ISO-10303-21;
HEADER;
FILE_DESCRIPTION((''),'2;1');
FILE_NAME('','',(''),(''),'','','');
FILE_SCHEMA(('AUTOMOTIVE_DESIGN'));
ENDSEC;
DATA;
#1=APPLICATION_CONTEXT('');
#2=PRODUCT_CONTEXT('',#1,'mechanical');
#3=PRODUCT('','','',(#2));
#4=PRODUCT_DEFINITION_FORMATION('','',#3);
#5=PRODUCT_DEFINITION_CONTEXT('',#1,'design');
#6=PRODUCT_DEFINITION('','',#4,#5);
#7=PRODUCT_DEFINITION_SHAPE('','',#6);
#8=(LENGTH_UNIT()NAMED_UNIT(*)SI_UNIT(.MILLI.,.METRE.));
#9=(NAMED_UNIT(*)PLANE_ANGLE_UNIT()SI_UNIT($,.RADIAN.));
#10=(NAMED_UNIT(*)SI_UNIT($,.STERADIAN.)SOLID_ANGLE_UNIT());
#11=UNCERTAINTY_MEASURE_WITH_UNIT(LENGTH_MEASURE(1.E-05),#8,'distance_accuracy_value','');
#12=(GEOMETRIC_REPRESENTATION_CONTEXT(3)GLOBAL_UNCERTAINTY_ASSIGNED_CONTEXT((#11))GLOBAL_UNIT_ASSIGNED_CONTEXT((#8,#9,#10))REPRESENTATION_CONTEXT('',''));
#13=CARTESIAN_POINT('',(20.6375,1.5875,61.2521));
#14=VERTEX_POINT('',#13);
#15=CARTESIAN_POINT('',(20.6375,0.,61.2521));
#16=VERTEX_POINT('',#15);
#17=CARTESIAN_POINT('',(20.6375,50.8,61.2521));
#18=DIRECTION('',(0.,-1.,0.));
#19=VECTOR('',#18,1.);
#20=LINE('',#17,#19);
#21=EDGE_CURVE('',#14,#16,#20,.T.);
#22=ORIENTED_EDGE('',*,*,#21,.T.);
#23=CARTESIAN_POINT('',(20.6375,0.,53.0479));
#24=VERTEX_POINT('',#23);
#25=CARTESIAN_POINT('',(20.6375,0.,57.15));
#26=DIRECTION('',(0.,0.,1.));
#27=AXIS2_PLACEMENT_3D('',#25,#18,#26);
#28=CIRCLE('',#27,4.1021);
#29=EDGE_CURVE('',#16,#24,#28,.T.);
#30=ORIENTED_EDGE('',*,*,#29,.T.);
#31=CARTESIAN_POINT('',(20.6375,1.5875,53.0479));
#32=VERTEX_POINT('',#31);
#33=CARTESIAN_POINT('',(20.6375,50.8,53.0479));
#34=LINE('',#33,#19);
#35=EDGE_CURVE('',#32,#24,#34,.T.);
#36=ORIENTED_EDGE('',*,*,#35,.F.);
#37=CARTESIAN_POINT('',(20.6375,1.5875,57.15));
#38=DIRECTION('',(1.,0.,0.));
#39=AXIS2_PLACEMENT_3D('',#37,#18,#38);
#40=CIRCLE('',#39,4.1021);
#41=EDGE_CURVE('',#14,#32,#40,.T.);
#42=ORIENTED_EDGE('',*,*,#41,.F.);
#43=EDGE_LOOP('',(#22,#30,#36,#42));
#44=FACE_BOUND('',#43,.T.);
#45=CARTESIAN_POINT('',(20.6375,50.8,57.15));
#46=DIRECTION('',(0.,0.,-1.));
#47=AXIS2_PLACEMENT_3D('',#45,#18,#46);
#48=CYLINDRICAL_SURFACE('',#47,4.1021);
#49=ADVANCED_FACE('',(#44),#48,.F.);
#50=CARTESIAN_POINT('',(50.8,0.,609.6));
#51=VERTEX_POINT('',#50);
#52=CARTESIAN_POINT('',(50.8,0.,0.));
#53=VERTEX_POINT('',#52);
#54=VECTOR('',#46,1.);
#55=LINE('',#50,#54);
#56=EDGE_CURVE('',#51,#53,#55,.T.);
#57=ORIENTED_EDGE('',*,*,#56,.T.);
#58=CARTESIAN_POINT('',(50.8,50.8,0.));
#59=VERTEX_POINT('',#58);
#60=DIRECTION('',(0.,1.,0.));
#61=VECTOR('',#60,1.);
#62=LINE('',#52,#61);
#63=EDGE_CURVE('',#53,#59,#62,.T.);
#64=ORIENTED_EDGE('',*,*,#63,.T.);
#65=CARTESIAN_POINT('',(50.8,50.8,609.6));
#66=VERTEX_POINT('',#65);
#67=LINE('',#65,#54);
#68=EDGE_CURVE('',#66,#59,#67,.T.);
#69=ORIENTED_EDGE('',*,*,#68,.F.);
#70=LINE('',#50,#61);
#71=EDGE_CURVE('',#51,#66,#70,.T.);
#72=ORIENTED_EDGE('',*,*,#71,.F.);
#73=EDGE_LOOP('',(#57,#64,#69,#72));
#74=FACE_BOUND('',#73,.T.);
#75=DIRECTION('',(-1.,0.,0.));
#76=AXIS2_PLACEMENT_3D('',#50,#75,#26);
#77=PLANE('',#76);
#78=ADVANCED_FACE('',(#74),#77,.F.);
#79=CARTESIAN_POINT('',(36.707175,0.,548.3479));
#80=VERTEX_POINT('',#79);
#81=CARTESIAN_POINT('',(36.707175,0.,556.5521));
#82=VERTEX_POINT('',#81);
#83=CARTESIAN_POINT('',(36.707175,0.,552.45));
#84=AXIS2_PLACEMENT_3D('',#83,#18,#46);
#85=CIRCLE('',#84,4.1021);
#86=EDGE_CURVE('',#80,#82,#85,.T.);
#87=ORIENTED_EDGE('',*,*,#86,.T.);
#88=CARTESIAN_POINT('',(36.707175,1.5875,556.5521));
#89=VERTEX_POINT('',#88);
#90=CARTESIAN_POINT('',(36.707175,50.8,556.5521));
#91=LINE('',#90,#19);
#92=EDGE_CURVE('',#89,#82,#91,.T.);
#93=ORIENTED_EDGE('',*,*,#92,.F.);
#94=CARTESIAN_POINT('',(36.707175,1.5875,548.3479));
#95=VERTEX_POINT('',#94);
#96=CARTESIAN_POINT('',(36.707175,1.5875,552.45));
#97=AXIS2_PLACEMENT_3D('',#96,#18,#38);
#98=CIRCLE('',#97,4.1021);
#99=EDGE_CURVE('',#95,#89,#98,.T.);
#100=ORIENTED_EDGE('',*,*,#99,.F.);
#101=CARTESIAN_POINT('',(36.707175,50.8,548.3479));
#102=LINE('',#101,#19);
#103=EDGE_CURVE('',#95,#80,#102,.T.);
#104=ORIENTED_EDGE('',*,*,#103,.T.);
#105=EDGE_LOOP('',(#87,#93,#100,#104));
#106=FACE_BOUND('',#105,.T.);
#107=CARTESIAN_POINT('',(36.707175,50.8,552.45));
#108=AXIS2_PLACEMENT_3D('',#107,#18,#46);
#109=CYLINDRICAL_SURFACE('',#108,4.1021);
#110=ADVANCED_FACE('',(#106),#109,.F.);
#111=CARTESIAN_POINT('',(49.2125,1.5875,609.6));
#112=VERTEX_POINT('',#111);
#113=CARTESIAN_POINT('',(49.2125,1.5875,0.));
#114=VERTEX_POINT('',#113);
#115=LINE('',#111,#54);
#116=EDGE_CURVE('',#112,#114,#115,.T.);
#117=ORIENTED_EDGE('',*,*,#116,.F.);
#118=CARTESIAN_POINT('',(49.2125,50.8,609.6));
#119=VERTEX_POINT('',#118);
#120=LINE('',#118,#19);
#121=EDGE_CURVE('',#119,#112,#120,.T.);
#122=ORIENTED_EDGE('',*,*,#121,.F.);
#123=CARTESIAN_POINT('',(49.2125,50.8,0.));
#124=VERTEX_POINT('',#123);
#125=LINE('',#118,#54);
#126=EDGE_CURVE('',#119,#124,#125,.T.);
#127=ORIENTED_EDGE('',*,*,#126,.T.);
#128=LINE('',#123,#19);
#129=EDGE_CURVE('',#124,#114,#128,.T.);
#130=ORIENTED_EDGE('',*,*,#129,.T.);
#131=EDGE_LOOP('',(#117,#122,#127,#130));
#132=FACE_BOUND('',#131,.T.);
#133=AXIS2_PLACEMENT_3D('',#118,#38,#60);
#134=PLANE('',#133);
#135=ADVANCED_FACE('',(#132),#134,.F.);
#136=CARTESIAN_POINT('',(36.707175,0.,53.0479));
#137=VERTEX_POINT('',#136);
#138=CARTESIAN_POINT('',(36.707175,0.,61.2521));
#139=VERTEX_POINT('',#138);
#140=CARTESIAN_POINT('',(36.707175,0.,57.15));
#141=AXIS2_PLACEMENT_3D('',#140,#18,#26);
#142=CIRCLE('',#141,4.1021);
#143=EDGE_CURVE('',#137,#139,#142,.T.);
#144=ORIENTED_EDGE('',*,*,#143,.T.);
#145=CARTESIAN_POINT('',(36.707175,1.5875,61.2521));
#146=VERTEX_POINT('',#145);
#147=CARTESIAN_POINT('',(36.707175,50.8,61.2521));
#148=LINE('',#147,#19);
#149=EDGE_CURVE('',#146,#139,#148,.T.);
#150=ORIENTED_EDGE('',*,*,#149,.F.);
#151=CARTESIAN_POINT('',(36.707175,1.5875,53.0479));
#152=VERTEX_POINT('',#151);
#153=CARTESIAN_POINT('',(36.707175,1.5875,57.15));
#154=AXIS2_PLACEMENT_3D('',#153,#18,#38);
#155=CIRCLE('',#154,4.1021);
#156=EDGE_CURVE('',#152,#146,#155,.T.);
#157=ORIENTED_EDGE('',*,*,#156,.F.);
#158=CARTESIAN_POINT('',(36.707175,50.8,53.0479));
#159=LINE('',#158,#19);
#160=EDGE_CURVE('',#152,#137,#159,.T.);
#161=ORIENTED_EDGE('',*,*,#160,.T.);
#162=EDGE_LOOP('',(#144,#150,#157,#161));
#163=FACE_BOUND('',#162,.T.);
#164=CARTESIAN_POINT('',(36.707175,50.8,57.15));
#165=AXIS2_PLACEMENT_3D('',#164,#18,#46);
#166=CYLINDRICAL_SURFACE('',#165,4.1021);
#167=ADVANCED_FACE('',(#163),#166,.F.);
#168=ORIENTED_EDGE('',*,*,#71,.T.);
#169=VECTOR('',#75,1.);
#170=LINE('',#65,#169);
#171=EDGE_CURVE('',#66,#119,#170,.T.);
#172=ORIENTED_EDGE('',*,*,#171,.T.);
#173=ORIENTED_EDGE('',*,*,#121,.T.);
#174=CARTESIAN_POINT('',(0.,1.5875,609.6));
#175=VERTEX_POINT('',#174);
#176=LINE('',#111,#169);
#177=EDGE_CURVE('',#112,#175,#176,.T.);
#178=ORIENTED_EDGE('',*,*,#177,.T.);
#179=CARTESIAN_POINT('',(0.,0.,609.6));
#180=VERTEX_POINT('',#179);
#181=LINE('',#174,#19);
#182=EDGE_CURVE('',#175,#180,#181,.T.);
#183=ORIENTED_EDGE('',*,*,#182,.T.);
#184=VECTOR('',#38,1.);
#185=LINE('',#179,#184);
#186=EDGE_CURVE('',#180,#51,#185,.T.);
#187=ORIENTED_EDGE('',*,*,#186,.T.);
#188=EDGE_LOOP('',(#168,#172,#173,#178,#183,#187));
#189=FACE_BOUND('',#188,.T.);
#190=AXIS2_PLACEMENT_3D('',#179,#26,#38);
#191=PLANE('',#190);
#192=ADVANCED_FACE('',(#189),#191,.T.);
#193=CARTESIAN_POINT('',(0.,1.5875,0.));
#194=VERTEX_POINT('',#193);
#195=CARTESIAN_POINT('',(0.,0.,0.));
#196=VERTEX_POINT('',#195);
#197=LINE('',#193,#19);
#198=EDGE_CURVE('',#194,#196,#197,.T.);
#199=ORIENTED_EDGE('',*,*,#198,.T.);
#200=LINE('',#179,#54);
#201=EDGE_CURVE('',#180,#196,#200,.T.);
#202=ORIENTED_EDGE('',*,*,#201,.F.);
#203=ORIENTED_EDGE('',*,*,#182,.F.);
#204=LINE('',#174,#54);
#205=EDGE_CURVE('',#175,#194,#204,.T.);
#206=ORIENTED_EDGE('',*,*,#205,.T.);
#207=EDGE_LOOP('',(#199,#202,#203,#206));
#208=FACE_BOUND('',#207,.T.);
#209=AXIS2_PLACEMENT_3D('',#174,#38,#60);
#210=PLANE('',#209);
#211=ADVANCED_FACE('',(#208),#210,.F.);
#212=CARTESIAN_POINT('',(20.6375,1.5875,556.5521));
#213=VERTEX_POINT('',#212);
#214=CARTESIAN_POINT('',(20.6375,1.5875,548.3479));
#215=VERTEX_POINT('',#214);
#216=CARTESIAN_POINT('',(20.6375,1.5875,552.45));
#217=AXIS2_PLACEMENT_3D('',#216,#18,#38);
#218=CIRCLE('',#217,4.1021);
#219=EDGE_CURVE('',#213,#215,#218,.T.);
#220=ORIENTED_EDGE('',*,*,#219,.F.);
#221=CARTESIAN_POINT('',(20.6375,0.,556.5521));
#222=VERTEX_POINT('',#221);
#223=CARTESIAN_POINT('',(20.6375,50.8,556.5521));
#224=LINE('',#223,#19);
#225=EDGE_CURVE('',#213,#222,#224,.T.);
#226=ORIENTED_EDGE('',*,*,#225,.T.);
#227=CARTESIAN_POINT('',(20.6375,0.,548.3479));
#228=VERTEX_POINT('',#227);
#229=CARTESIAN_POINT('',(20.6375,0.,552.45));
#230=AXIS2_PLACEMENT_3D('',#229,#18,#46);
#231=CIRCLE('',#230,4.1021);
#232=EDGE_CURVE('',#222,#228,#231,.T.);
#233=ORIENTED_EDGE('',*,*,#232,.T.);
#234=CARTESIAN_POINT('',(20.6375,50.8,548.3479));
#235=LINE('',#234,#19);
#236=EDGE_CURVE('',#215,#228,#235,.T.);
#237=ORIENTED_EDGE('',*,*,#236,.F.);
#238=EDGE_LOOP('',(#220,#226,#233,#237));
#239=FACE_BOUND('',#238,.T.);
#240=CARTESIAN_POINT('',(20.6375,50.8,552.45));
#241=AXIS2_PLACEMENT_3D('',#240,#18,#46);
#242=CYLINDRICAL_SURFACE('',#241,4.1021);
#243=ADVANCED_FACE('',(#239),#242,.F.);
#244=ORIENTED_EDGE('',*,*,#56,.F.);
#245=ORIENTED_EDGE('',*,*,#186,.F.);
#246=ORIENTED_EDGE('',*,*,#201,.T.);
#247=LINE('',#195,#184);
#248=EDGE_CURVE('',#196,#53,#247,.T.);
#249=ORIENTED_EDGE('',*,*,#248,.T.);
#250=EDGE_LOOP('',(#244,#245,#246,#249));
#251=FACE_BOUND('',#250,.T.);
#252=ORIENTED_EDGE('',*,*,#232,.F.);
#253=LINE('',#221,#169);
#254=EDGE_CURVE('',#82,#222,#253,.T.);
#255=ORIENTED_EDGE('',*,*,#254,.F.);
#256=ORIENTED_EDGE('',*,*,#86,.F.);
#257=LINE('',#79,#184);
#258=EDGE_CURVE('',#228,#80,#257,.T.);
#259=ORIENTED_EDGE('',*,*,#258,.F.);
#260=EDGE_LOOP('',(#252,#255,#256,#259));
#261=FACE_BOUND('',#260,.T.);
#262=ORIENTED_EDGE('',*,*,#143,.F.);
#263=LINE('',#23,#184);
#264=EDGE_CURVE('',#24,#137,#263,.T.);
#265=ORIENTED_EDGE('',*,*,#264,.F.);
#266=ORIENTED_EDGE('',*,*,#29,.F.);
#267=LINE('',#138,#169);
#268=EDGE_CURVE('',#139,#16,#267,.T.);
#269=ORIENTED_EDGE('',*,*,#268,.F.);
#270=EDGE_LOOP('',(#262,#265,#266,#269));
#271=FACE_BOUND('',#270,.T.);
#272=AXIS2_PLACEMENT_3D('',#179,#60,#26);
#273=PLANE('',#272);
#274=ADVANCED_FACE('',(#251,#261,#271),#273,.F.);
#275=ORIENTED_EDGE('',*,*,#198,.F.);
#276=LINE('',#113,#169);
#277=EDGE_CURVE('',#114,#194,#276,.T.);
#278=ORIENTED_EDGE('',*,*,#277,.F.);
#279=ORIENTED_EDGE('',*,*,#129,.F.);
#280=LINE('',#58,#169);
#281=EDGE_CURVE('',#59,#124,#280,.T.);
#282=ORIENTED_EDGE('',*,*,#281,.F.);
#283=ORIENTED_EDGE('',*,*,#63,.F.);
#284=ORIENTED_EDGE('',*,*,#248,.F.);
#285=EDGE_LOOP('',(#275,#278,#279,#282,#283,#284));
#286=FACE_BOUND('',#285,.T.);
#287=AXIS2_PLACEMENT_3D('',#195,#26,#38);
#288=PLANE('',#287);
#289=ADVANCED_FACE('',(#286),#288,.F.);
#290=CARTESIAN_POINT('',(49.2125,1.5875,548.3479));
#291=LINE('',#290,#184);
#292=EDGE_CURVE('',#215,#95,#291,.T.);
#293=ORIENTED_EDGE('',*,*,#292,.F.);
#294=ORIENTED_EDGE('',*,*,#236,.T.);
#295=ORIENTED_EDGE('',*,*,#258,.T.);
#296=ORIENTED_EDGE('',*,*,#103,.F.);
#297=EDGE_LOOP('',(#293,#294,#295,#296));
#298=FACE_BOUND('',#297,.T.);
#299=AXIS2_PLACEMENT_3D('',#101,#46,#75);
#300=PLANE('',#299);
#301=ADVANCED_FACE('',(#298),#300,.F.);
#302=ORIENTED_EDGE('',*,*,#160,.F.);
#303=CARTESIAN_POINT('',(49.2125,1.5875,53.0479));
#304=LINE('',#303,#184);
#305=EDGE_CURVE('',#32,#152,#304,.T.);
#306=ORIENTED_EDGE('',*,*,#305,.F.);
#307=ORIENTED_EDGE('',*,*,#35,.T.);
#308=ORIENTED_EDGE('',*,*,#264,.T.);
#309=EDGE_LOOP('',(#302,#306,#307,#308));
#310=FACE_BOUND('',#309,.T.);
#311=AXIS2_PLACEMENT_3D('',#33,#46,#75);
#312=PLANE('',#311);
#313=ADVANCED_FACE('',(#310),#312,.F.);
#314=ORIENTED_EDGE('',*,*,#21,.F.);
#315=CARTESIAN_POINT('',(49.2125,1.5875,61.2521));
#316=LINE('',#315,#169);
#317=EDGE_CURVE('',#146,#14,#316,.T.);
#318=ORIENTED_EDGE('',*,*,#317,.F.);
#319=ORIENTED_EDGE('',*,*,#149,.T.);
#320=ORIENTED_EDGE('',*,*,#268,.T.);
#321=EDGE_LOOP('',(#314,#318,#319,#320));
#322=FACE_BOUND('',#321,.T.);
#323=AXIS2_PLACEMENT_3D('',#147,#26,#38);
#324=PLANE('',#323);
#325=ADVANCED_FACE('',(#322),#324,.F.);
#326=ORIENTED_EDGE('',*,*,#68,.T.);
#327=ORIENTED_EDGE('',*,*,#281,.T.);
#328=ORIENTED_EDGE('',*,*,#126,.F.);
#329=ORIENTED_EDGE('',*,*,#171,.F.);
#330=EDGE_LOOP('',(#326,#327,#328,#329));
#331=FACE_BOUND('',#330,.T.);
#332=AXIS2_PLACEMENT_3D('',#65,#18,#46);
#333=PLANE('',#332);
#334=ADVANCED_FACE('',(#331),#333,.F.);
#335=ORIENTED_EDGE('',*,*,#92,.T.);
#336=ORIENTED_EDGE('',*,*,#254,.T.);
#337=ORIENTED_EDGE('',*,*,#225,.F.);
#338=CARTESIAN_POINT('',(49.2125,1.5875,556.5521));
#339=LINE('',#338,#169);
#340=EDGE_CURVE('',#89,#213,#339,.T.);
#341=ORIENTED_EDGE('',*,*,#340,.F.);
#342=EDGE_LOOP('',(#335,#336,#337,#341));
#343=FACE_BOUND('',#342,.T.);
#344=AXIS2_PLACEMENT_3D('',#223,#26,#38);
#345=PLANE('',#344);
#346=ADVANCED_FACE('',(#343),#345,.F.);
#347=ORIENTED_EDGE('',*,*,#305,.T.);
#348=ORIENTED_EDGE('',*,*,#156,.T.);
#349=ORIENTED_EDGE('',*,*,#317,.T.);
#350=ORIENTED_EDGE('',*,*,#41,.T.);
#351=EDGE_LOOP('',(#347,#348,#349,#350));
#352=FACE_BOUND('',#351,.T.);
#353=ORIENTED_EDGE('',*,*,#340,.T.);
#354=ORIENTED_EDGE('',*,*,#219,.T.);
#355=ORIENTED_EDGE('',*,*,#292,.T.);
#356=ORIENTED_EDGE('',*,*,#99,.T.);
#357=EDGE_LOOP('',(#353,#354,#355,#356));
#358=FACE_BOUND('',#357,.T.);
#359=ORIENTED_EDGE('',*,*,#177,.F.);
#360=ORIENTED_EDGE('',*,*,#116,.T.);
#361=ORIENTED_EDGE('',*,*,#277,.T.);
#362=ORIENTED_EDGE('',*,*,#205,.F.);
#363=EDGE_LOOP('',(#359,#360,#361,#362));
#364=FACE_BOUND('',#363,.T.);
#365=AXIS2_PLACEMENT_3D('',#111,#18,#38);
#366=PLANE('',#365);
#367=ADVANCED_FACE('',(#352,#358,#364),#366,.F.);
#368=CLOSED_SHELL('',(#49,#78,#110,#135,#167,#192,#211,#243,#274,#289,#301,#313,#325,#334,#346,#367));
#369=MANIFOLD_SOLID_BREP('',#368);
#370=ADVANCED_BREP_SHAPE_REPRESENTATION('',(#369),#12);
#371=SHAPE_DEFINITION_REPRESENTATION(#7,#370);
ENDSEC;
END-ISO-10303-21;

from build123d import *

# Parameters (mm, degrees)
EXTRUDE1_DEPTH     = 609.6
CUT_EXTRUDE1_DEPTH = 51.8


with BuildPart() as part:
    # Sketch1 → Extrude1 (new body)
    with BuildSketch(Plane.XY):
        Polygon((0, 0), (50.8, 0), (50.8, 50.8), (49.2125, 50.8), (49.2125, 1.5875), (0, 1.5875), align=None)
    extrude(amount=EXTRUDE1_DEPTH)

    # Sketch2 → Cut-Extrude1 (cut, through all)
    with BuildSketch(Plane.XZ):
        with BuildLine():
            Line((20.6375, 556.5521), (36.707174868, 556.5521))
            ThreePointArc((36.707174868, 556.5521), (40.809274868, 552.45), (36.707174868, 548.3479))
            Line((36.707174868, 548.3479), (20.6375, 548.3479))
            ThreePointArc((20.6375, 548.3479), (16.5354, 552.45), (20.6375, 556.5521))
        make_face()
        with BuildLine():
            Line((36.707174868, 61.2521), (20.6375, 61.2521))
            ThreePointArc((20.6375, 61.2521), (16.5354, 57.15), (20.6375, 53.0479))
            Line((20.6375, 53.0479), (36.707174868, 53.0479))
            ThreePointArc((36.707174868, 53.0479), (40.809274868, 57.15), (36.707174868, 61.2521))
        make_face()
    extrude(amount=-CUT_EXTRUDE1_DEPTH, mode=Mode.SUBTRACT)


solid = part.part
